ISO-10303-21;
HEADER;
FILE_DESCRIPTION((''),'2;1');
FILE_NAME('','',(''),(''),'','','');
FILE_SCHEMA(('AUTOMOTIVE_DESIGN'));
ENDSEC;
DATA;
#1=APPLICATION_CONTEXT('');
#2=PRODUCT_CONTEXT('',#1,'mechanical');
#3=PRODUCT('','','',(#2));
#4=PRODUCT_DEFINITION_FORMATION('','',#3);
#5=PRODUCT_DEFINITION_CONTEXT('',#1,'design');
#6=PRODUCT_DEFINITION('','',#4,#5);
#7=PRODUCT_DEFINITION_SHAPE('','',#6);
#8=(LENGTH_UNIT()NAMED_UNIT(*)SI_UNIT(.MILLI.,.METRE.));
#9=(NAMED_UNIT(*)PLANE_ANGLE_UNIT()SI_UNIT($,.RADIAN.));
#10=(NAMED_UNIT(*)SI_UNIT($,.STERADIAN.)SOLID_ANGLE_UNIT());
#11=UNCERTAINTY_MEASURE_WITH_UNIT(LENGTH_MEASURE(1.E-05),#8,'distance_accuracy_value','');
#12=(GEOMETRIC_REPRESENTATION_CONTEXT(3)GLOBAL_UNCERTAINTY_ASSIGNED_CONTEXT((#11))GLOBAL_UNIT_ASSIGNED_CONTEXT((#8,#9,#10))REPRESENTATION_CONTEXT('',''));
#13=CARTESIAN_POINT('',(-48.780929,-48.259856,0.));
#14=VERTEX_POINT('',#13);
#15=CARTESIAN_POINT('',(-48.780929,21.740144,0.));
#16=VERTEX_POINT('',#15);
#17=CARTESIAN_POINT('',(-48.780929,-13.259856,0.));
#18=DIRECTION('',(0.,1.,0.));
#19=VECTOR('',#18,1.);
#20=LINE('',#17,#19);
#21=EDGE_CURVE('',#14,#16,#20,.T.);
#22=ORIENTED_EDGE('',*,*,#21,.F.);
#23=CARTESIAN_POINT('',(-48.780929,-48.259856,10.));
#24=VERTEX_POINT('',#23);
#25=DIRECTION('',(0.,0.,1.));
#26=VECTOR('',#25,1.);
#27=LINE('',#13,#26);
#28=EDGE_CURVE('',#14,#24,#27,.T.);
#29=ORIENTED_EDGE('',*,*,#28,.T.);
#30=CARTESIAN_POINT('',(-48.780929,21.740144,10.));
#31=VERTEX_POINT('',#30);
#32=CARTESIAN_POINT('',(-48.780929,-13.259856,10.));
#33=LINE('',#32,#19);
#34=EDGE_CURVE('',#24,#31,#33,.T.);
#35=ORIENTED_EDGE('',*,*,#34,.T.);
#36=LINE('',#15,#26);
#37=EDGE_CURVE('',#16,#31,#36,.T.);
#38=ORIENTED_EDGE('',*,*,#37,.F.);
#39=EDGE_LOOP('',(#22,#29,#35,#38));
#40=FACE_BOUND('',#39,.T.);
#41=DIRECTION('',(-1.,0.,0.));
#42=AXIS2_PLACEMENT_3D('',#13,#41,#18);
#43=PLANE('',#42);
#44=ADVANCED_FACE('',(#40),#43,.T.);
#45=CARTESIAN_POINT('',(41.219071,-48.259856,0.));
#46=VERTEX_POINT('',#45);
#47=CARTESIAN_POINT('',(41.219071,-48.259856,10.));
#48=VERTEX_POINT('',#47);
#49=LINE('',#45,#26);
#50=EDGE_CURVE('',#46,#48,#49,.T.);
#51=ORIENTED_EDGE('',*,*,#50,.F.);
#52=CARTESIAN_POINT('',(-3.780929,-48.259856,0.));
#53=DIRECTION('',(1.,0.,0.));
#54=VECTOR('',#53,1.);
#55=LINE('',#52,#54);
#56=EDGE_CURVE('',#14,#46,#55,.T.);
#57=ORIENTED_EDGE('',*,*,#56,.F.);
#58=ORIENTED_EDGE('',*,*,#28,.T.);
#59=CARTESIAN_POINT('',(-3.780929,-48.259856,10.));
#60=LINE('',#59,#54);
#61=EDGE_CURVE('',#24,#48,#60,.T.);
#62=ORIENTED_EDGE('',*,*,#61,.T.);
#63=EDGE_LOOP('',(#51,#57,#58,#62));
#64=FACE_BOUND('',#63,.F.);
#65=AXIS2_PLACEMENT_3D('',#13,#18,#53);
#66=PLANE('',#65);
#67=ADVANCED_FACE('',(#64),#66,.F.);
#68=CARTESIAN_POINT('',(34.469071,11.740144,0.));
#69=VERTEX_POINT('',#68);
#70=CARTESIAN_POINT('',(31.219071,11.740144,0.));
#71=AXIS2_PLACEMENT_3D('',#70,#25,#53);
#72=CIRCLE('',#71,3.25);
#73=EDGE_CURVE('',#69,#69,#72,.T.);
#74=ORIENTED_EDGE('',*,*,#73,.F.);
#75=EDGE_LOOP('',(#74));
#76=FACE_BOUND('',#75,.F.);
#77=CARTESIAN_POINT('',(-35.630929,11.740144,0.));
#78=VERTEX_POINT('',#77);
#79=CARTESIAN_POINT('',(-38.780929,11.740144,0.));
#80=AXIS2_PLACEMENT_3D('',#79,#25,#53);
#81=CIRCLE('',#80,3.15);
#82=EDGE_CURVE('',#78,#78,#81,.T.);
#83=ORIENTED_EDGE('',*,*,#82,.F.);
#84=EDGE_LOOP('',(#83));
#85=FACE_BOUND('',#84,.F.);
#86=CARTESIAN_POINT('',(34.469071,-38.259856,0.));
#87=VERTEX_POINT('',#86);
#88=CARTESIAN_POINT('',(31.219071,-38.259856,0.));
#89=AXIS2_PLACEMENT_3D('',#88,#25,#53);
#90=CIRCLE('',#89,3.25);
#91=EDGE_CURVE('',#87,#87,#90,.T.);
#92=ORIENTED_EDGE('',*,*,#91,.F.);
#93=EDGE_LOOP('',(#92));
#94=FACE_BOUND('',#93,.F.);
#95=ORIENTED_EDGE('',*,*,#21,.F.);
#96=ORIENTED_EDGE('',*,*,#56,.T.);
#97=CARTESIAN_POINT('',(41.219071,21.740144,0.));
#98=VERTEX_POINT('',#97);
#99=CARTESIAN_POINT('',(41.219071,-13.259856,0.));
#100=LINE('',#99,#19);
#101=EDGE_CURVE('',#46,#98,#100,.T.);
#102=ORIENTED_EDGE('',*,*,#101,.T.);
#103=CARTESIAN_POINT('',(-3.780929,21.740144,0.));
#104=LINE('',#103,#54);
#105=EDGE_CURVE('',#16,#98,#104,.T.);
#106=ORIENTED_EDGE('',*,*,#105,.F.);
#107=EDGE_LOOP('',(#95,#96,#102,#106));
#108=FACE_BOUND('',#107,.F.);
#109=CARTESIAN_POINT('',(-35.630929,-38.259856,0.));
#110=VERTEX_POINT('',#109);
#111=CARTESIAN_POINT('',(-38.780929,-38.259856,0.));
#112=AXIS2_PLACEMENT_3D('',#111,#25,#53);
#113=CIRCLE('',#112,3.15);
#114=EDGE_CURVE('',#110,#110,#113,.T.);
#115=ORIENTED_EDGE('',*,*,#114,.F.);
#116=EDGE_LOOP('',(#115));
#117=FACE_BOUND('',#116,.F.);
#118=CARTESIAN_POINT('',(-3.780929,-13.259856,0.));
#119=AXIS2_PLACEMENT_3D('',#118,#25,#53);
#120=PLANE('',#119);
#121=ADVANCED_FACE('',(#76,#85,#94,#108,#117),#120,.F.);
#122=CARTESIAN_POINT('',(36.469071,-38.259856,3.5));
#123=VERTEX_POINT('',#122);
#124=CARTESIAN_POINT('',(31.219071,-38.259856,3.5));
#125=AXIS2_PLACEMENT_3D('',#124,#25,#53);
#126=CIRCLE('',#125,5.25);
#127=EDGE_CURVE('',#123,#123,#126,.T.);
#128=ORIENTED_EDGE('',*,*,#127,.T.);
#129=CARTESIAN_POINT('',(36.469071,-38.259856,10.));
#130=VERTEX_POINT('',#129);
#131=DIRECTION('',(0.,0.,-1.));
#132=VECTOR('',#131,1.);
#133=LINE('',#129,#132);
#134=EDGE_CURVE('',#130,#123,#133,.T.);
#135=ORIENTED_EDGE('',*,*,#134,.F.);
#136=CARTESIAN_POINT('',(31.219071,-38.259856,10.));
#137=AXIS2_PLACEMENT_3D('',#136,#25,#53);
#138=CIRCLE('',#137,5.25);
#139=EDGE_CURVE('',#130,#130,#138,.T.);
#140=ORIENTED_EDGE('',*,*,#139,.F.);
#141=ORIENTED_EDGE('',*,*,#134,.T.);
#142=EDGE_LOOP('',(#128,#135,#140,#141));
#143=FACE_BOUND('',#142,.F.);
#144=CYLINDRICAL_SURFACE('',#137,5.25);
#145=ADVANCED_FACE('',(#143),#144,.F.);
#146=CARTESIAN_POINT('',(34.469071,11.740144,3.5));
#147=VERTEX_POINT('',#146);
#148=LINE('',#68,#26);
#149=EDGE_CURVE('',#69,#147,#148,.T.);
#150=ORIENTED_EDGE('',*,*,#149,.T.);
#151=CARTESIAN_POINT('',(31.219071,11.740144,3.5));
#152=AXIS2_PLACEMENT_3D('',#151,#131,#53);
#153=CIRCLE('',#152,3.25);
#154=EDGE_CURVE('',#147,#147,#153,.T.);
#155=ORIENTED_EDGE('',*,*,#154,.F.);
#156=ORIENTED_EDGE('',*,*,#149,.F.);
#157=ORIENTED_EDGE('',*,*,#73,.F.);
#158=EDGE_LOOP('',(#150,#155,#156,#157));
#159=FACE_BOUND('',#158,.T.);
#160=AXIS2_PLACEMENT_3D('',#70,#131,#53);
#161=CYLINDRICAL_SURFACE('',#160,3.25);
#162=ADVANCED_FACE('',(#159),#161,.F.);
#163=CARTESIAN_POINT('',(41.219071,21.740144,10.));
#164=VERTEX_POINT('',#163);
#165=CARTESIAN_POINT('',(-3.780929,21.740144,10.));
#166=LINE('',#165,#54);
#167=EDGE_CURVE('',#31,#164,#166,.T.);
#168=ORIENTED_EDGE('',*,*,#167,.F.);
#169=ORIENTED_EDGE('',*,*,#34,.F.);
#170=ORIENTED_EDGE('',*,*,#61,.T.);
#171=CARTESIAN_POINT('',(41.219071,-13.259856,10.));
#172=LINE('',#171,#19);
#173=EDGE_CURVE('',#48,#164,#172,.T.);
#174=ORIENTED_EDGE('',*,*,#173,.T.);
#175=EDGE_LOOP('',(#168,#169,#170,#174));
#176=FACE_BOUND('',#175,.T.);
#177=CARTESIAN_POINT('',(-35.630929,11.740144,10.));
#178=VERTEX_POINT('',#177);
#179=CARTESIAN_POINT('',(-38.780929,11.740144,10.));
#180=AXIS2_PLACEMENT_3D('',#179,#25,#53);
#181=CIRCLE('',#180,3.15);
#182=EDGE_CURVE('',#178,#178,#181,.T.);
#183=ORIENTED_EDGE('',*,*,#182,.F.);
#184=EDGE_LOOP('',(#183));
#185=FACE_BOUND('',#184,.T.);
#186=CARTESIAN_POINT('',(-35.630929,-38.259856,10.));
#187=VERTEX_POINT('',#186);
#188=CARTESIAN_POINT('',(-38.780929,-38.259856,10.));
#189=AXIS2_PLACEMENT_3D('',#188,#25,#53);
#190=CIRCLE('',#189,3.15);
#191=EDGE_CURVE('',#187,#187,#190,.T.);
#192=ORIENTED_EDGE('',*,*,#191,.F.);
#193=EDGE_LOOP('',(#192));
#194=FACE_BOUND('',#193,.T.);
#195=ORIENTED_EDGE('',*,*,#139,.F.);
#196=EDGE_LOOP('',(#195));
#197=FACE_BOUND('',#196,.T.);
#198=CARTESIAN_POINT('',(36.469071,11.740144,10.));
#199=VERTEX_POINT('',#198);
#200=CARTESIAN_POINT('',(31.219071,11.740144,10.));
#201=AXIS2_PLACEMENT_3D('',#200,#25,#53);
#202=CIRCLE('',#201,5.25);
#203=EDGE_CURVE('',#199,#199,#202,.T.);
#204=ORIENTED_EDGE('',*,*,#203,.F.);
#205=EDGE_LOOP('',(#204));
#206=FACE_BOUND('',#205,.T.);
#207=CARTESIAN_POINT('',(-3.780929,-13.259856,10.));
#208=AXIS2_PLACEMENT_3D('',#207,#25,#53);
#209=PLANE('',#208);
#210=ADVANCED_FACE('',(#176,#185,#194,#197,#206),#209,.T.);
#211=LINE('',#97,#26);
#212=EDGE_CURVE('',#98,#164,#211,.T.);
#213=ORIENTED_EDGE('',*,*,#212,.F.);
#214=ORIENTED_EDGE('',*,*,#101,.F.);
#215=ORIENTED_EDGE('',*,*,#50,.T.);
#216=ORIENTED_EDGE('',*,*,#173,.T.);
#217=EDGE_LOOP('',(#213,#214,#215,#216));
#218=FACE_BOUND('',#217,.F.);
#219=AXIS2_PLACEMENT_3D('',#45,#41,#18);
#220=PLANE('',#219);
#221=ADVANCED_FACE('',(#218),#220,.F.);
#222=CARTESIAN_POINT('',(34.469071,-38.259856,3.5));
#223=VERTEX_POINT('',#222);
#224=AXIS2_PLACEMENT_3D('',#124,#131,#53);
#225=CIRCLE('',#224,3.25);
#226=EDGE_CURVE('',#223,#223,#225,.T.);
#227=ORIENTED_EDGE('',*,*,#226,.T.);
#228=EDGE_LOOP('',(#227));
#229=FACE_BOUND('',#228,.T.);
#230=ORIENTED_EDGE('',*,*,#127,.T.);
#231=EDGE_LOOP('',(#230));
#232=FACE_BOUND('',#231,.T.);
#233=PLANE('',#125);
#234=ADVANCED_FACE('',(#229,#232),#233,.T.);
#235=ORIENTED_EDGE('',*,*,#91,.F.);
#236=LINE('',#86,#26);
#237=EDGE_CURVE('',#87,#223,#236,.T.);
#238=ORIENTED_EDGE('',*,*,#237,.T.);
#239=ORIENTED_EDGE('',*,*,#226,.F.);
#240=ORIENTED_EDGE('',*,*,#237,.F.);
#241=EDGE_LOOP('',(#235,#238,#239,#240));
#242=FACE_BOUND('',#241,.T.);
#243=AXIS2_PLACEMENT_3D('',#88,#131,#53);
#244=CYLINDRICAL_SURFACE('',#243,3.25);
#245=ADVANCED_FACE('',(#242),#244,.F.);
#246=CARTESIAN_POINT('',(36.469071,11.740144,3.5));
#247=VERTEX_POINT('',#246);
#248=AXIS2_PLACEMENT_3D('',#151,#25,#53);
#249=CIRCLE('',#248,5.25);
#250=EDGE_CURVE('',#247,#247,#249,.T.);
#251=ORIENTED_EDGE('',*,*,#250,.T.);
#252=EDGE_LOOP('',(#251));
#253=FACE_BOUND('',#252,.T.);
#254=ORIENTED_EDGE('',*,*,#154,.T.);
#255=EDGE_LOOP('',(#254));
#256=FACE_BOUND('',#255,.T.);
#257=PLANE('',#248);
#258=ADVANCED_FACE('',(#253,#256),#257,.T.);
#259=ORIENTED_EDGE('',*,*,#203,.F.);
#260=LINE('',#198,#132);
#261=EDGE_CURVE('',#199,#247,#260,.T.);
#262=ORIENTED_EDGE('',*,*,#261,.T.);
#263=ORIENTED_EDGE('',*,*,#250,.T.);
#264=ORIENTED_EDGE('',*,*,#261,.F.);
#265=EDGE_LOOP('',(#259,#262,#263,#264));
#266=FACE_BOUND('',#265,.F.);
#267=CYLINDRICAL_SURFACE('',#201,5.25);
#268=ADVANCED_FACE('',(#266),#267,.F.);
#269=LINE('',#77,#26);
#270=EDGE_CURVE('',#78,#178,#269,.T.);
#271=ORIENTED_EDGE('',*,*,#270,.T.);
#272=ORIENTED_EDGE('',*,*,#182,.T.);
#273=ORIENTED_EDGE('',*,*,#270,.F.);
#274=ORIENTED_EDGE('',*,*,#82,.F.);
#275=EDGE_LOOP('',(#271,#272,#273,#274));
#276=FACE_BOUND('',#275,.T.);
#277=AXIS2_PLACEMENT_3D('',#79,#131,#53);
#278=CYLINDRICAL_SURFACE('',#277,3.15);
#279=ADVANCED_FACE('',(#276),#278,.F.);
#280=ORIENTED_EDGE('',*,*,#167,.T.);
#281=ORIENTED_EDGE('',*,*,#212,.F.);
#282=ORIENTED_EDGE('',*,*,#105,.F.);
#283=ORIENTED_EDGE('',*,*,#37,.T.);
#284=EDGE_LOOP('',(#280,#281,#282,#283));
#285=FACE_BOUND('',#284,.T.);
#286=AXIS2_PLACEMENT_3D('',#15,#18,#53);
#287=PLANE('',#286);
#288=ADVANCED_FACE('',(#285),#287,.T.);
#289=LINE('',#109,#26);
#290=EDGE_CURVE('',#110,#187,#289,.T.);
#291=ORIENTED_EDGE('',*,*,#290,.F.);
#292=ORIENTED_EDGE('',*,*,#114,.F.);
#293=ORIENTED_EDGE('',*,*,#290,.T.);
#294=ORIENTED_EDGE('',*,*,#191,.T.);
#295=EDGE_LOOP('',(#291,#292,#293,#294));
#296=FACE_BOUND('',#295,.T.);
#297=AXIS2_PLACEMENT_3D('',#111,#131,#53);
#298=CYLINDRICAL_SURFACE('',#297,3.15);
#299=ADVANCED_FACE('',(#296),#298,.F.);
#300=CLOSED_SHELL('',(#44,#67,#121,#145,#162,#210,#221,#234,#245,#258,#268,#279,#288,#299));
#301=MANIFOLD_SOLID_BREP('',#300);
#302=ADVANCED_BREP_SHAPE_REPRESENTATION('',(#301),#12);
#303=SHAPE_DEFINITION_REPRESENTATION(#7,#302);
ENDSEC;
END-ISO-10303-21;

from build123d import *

# Parameters (mm, degrees)
F0_W     = 90
F0_H     = 70
F0_R     = 3.15
F0_R_2   = 3.25
F1_DEPTH = 10
F2_R     = 5.25
F3_DEPTH = 6.5


with BuildPart() as f1:
    # F0 (on Top) → F1 (new body)
    with BuildSketch(Plane.XY):
        with Locations((-3.780929, -13.259856)):
            Rectangle(F0_W, F0_H)
        with Locations((-38.780929, -38.259856)):
            Circle(F0_R, mode=Mode.SUBTRACT)
        with Locations((31.219071, -38.259856)):
            Circle(F0_R_2, mode=Mode.SUBTRACT)
        with Locations((-38.780929, 11.740144)):
            Circle(F0_R, mode=Mode.SUBTRACT)
        with Locations((31.219071, 11.740144)):
            Circle(F0_R_2, mode=Mode.SUBTRACT)
    extrude(amount=F1_DEPTH)

    # F2 (on face) → F3 (cut)
    with BuildSketch(Plane.XY.offset(10)):
        with Locations((31.219071, -38.259856)):
            Circle(F2_R)
        with Locations((31.219071, 11.740144)):
            Circle(F2_R)
    extrude(amount=-F3_DEPTH, mode=Mode.SUBTRACT)


solid = f1.part
